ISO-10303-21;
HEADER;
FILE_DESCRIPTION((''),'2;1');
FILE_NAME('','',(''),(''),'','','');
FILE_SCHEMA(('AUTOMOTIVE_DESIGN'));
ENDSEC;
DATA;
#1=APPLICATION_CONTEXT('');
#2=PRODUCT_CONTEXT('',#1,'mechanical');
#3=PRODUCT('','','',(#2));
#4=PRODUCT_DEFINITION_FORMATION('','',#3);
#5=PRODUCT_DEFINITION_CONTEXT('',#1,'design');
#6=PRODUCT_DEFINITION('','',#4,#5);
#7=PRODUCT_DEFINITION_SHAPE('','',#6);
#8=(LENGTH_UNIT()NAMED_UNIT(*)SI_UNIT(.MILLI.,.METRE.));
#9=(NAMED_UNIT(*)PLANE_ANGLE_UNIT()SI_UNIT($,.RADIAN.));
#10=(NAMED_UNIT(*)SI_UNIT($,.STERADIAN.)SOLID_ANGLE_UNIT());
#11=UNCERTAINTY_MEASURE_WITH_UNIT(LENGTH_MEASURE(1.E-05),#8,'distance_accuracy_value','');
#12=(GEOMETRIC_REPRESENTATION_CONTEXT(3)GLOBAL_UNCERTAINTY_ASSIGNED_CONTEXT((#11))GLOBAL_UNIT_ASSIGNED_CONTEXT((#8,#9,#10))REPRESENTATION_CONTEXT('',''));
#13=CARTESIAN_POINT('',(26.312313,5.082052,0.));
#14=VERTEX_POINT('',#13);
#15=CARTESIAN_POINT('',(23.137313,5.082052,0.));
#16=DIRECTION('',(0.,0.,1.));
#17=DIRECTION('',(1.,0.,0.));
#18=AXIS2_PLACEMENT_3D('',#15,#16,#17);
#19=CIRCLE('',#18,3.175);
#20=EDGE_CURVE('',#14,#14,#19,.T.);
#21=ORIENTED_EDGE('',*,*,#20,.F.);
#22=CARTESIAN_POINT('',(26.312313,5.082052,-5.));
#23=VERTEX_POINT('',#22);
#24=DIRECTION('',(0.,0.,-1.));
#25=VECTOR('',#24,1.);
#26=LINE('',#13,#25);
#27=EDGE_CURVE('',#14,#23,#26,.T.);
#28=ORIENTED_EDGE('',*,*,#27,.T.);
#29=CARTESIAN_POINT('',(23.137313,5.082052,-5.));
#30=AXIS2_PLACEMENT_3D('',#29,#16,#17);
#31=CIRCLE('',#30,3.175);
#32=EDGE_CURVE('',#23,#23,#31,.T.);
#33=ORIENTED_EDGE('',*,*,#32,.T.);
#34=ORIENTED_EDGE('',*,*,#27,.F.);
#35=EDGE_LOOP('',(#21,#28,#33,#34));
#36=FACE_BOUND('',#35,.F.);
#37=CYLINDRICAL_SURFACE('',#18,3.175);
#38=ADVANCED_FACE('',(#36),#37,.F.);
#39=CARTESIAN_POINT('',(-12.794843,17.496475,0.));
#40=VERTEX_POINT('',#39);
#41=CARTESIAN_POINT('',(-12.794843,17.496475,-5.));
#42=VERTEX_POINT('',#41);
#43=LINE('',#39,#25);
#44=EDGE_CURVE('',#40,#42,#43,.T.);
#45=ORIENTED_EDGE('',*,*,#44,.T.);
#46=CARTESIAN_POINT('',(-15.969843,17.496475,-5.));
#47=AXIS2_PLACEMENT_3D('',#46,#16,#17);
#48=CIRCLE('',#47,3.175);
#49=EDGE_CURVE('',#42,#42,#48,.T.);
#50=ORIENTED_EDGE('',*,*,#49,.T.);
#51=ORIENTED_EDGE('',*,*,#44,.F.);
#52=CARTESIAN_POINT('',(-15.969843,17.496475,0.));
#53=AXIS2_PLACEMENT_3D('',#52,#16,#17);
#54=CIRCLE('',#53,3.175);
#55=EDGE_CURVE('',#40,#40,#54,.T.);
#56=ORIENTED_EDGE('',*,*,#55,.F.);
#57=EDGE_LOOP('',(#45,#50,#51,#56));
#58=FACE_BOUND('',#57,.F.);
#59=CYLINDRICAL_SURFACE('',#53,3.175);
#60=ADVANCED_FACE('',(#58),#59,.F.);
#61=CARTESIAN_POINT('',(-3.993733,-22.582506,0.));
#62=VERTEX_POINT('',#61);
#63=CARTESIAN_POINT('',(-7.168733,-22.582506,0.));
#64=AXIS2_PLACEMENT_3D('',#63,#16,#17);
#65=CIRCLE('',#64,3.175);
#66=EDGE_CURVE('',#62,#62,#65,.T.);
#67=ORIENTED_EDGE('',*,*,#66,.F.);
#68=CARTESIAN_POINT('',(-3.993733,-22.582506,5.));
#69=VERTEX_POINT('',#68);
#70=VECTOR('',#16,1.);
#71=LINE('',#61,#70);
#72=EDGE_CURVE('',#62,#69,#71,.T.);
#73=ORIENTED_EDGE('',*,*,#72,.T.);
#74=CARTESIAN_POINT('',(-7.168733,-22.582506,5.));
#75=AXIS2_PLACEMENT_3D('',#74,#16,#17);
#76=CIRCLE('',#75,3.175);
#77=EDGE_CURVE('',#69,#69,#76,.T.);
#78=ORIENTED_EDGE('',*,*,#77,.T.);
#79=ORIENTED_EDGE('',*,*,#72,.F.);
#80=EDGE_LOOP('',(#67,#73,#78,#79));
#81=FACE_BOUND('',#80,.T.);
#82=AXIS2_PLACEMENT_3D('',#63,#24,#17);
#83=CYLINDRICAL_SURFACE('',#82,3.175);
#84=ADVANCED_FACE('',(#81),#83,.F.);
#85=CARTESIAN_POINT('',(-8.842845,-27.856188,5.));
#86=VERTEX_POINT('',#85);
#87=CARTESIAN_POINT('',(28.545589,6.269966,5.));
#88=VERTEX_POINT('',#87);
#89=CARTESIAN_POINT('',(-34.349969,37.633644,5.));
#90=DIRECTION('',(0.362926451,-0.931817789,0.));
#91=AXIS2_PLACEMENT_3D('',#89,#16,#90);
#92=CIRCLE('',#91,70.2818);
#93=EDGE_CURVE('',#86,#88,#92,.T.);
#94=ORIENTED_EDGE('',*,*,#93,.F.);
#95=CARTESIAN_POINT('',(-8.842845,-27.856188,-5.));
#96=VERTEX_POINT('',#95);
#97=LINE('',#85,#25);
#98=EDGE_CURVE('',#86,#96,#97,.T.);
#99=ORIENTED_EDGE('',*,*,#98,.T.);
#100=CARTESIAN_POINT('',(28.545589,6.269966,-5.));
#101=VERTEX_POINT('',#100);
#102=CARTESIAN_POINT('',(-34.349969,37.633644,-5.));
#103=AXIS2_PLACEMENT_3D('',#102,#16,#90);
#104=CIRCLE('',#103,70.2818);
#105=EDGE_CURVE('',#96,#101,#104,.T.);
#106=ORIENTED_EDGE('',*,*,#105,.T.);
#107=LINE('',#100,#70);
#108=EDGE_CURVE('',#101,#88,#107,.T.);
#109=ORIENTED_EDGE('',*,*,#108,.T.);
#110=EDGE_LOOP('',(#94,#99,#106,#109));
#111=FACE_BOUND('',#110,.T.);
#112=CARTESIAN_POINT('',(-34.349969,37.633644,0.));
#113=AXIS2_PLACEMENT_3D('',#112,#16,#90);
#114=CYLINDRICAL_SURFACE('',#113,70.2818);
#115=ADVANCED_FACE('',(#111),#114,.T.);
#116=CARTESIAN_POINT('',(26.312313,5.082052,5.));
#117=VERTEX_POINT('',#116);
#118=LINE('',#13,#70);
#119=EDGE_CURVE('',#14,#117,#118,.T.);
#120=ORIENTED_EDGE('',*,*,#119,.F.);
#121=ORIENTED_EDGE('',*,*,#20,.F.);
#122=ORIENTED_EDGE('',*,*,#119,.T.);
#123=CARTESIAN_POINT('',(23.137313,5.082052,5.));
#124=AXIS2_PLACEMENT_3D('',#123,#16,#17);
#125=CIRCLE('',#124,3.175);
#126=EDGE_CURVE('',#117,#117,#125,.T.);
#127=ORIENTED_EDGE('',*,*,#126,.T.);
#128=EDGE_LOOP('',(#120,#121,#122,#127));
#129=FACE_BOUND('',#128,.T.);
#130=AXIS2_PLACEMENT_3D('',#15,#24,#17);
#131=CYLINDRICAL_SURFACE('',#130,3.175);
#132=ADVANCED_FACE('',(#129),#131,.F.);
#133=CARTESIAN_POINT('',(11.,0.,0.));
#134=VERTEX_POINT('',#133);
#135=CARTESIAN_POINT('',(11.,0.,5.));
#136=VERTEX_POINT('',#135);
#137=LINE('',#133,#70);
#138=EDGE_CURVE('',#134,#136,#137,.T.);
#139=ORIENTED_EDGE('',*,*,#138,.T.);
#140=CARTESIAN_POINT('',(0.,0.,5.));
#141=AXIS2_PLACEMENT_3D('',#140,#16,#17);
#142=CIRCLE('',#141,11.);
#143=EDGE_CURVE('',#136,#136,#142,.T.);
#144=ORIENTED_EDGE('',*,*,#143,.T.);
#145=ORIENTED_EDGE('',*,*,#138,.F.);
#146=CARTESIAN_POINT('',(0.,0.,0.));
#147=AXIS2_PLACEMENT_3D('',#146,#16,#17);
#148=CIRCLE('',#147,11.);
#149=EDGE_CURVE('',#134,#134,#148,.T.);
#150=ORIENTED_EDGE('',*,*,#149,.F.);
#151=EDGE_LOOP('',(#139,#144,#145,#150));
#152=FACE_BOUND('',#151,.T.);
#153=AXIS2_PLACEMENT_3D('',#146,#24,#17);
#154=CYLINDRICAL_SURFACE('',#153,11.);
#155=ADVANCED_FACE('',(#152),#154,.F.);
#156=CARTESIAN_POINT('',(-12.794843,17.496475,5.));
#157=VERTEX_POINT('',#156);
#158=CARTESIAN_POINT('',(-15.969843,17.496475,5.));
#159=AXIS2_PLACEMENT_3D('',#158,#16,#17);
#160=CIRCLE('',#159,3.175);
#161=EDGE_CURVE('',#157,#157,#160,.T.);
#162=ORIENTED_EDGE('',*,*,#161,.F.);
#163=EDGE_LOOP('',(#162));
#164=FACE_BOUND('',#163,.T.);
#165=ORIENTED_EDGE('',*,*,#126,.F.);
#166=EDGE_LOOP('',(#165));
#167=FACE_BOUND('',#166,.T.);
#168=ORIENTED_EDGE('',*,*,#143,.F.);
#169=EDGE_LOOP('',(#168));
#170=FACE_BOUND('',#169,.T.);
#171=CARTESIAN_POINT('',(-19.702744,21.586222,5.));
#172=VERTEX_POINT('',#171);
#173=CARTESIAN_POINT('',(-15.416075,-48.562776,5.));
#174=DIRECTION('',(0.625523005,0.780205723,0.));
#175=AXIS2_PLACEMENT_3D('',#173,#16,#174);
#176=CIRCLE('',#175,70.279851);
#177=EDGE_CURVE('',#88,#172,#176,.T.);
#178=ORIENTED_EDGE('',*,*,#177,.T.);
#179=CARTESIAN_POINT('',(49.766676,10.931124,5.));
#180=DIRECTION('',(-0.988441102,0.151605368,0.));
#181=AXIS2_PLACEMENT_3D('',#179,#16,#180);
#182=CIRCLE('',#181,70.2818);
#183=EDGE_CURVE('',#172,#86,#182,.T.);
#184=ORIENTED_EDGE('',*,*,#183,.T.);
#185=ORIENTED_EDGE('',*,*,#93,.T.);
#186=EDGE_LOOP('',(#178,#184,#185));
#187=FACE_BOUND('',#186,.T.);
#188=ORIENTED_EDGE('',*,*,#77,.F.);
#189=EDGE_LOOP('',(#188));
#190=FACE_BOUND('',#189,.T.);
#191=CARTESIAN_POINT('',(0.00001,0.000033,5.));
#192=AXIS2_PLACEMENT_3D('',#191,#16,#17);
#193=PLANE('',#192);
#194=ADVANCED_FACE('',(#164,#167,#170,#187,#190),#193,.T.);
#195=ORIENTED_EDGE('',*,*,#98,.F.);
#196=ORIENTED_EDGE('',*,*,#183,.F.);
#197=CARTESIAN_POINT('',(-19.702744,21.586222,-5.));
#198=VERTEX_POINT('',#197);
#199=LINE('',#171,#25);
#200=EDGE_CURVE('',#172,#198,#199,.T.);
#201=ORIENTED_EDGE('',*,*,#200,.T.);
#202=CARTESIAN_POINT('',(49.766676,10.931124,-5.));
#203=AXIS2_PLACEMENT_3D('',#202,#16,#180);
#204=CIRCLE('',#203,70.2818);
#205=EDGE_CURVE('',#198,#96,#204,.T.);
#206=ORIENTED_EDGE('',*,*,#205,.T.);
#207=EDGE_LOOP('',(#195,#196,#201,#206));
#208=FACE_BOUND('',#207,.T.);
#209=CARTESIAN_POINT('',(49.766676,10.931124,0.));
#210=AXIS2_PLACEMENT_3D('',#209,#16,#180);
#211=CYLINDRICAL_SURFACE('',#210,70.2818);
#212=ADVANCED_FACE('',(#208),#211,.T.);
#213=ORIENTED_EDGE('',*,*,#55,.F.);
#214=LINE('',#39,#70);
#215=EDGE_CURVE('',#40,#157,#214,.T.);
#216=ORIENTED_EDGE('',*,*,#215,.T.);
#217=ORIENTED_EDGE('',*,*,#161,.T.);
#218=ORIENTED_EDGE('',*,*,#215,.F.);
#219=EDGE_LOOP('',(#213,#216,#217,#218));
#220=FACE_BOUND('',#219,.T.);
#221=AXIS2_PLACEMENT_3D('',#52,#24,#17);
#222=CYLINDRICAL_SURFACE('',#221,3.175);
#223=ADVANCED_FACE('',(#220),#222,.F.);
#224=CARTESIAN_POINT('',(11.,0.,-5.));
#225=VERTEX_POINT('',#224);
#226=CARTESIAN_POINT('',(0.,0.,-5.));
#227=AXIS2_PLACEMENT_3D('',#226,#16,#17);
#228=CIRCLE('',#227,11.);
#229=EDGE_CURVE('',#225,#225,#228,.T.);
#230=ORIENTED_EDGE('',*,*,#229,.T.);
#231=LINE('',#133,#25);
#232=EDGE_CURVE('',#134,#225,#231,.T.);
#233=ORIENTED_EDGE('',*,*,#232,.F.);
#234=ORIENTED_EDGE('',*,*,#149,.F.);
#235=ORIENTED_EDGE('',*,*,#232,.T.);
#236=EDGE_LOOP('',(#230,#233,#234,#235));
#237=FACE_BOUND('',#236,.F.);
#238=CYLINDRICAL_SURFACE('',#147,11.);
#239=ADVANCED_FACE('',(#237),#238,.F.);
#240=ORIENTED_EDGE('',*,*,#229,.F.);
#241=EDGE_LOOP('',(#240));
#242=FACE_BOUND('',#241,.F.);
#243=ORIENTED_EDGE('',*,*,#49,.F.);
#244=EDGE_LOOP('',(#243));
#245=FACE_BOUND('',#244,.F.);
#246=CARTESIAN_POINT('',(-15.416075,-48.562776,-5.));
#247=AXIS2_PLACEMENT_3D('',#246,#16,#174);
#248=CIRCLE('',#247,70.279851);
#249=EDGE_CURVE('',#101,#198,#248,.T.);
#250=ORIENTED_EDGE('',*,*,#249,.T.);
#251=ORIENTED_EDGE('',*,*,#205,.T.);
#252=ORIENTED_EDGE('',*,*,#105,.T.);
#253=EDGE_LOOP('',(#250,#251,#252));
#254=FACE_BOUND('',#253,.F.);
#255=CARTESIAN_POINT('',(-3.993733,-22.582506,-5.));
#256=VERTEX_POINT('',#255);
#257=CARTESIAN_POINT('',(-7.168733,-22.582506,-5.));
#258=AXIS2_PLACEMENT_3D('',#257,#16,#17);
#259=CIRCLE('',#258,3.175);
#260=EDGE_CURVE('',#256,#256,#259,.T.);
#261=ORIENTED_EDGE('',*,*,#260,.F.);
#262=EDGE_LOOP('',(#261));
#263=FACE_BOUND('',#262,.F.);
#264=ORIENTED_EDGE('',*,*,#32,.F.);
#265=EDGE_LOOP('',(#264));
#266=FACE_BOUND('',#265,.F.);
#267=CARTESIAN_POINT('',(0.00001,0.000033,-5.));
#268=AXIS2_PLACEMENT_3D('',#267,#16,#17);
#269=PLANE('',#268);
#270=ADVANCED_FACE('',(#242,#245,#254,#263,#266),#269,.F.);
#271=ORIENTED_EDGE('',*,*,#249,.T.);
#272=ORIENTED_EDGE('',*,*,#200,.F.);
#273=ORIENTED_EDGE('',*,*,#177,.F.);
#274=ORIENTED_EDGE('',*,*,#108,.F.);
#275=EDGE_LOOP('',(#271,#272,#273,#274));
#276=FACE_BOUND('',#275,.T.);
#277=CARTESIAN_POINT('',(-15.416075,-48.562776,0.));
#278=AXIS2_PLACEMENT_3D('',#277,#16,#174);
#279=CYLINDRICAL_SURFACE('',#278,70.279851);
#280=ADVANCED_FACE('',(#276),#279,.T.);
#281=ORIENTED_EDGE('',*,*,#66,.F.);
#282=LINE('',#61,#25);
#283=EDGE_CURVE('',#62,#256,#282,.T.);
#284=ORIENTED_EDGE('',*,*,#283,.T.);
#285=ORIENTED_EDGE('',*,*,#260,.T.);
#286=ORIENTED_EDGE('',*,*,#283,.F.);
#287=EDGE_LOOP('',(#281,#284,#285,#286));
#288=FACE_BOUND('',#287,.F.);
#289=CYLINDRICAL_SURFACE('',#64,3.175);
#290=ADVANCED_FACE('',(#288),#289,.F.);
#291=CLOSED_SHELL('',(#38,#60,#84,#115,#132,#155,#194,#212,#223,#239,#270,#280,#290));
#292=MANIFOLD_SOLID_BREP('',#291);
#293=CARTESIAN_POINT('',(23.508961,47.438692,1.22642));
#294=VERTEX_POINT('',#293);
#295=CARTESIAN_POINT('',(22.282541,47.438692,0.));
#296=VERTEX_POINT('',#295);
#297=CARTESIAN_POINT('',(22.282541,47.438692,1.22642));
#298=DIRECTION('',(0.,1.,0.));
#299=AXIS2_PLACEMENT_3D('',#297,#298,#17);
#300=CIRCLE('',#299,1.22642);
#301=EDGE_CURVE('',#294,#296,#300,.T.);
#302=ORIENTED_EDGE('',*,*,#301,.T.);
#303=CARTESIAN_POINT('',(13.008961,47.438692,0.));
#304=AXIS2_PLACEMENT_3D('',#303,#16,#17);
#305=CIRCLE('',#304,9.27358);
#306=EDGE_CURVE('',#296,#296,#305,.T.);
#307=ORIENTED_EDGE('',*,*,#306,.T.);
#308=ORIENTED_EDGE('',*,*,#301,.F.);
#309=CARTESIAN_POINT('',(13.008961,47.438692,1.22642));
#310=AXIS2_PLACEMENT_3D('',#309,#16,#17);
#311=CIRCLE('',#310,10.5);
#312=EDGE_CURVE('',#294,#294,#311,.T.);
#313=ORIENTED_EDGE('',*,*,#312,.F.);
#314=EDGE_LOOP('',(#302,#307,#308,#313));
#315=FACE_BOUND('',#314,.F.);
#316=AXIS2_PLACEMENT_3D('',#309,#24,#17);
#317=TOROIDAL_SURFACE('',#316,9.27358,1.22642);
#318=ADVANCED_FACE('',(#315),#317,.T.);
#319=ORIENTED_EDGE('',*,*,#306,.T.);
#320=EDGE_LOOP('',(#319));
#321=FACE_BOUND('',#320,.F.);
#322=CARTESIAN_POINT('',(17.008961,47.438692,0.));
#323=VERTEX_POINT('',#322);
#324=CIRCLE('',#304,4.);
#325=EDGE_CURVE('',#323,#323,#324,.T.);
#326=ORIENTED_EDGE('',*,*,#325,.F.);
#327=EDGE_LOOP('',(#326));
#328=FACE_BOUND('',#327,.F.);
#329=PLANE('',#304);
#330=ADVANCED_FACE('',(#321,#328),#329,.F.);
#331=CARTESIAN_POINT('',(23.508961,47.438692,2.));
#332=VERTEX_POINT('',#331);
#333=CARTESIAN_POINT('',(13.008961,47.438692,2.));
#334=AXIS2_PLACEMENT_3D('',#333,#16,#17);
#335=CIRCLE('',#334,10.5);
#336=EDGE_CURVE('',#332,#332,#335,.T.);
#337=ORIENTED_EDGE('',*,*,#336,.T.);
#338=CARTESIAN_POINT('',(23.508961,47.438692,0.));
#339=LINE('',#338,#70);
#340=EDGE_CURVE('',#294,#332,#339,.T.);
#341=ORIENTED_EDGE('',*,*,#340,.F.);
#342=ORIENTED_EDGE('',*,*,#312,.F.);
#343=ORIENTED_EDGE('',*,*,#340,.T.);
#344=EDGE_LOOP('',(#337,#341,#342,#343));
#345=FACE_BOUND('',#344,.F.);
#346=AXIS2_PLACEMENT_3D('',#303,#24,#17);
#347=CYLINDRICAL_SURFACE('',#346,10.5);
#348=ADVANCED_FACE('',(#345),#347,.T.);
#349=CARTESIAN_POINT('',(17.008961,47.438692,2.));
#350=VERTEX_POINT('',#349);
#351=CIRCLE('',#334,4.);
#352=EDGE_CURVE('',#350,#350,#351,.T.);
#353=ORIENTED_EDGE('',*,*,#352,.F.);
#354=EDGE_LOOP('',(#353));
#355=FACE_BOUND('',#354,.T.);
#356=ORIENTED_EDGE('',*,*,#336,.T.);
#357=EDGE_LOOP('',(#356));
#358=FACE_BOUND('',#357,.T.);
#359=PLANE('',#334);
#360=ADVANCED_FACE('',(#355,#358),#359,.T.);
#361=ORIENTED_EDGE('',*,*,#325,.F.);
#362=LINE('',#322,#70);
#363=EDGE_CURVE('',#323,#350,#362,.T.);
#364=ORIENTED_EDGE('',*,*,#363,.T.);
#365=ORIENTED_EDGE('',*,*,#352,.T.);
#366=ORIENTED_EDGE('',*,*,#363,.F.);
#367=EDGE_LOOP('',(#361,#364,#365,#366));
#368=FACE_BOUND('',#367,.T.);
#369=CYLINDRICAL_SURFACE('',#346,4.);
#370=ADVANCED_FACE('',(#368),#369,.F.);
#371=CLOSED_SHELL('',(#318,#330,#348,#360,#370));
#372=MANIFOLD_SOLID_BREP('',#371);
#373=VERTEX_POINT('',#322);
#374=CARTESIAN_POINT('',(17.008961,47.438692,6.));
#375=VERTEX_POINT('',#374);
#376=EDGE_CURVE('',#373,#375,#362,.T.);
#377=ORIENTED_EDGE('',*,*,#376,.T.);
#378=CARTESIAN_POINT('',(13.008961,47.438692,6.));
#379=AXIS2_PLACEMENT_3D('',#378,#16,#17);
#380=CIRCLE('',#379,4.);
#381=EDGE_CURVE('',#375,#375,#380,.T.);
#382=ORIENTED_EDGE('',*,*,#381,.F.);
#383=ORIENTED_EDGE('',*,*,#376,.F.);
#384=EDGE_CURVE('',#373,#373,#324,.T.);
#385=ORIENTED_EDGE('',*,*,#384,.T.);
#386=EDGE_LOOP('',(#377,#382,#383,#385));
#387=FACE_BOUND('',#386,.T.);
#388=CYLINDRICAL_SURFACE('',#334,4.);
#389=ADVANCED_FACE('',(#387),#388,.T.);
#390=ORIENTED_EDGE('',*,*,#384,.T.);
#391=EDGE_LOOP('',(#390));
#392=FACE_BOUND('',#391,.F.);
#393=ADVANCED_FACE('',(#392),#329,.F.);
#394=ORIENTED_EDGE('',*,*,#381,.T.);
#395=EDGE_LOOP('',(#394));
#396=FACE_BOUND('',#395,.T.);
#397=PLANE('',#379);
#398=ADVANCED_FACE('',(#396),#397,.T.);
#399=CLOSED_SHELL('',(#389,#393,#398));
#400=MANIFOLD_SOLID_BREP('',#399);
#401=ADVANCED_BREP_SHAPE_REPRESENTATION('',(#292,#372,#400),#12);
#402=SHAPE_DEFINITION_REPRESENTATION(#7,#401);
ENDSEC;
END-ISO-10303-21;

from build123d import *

# Parameters (mm, degrees)
F0_R          = 3.175
F0_R_2        = 11
F1_DEPTH      = 5
F1_DEPTH_BACK = 5
F2_R          = 10.5
F2_R_2        = 4
F3_DEPTH      = 2
F4_R          = 4
F5_DEPTH      = 4
F5_DEPTH_BACK = 2
F6_R          = 1.2264204897


with BuildPart() as f1:
    # F0 (on Top) → F1 (new body, two sides)
    with BuildSketch(Plane.XY) as f1_sk:
        with BuildLine():
            ThreePointArc((-8.842844516, -27.8561878949), (13.0304821044, -14.2761270764), (28.5455886276, 6.2699659549))
            ThreePointArc((28.5455886276, 6.2699659549), (5.8482900848, 18.4229256967), (-19.7027441116, 21.5862219401))
            ThreePointArc((-19.7027441116, 21.5862219401), (-18.878729768, -4.1466649877), (-8.842844516, -27.8561878949))
        make_face()
        with Locations((-7.1687334744, -22.5825056938)):
            Circle(F0_R, mode=Mode.SUBTRACT)
        Circle(F0_R_2, mode=Mode.SUBTRACT)
        with Locations((-15.9698426708, 17.4964749218)):
            Circle(F0_R, mode=Mode.SUBTRACT)
        with Locations((23.1373130944, 5.0820519864)):
            Circle(F0_R, mode=Mode.SUBTRACT)
    extrude(amount=F1_DEPTH)
    extrude(f1_sk.sketch, amount=-F1_DEPTH_BACK)


with BuildPart() as f3:
    # F2 (on Top) → F3 (new body)
    with BuildSketch(Plane.XY):
        with Locations((13.008961454, 47.4386923015)):
            Circle(F2_R)
        with Locations((13.008961454, 47.4386923015)):
            Circle(F2_R_2, mode=Mode.SUBTRACT)
    extrude(amount=F3_DEPTH)

    # F6
    f6_edges = [f3.edges().sort_by_distance(p)[0] for p in [
        (2.508961, 47.438692, 0),
    ]]
    fillet(f6_edges, radius=F6_R)


with BuildPart() as f5:
    # F4 (on face) → F5 (new body, two sides)
    with BuildSketch(Plane.XY.offset(2)) as f5_sk:
        with Locations((13.008961454, 47.4386923015)):
            Circle(F4_R)
    extrude(amount=F5_DEPTH)
    extrude(f5_sk.sketch, amount=-F5_DEPTH_BACK)


solid = Compound([f1.part, f3.part, f5.part])
